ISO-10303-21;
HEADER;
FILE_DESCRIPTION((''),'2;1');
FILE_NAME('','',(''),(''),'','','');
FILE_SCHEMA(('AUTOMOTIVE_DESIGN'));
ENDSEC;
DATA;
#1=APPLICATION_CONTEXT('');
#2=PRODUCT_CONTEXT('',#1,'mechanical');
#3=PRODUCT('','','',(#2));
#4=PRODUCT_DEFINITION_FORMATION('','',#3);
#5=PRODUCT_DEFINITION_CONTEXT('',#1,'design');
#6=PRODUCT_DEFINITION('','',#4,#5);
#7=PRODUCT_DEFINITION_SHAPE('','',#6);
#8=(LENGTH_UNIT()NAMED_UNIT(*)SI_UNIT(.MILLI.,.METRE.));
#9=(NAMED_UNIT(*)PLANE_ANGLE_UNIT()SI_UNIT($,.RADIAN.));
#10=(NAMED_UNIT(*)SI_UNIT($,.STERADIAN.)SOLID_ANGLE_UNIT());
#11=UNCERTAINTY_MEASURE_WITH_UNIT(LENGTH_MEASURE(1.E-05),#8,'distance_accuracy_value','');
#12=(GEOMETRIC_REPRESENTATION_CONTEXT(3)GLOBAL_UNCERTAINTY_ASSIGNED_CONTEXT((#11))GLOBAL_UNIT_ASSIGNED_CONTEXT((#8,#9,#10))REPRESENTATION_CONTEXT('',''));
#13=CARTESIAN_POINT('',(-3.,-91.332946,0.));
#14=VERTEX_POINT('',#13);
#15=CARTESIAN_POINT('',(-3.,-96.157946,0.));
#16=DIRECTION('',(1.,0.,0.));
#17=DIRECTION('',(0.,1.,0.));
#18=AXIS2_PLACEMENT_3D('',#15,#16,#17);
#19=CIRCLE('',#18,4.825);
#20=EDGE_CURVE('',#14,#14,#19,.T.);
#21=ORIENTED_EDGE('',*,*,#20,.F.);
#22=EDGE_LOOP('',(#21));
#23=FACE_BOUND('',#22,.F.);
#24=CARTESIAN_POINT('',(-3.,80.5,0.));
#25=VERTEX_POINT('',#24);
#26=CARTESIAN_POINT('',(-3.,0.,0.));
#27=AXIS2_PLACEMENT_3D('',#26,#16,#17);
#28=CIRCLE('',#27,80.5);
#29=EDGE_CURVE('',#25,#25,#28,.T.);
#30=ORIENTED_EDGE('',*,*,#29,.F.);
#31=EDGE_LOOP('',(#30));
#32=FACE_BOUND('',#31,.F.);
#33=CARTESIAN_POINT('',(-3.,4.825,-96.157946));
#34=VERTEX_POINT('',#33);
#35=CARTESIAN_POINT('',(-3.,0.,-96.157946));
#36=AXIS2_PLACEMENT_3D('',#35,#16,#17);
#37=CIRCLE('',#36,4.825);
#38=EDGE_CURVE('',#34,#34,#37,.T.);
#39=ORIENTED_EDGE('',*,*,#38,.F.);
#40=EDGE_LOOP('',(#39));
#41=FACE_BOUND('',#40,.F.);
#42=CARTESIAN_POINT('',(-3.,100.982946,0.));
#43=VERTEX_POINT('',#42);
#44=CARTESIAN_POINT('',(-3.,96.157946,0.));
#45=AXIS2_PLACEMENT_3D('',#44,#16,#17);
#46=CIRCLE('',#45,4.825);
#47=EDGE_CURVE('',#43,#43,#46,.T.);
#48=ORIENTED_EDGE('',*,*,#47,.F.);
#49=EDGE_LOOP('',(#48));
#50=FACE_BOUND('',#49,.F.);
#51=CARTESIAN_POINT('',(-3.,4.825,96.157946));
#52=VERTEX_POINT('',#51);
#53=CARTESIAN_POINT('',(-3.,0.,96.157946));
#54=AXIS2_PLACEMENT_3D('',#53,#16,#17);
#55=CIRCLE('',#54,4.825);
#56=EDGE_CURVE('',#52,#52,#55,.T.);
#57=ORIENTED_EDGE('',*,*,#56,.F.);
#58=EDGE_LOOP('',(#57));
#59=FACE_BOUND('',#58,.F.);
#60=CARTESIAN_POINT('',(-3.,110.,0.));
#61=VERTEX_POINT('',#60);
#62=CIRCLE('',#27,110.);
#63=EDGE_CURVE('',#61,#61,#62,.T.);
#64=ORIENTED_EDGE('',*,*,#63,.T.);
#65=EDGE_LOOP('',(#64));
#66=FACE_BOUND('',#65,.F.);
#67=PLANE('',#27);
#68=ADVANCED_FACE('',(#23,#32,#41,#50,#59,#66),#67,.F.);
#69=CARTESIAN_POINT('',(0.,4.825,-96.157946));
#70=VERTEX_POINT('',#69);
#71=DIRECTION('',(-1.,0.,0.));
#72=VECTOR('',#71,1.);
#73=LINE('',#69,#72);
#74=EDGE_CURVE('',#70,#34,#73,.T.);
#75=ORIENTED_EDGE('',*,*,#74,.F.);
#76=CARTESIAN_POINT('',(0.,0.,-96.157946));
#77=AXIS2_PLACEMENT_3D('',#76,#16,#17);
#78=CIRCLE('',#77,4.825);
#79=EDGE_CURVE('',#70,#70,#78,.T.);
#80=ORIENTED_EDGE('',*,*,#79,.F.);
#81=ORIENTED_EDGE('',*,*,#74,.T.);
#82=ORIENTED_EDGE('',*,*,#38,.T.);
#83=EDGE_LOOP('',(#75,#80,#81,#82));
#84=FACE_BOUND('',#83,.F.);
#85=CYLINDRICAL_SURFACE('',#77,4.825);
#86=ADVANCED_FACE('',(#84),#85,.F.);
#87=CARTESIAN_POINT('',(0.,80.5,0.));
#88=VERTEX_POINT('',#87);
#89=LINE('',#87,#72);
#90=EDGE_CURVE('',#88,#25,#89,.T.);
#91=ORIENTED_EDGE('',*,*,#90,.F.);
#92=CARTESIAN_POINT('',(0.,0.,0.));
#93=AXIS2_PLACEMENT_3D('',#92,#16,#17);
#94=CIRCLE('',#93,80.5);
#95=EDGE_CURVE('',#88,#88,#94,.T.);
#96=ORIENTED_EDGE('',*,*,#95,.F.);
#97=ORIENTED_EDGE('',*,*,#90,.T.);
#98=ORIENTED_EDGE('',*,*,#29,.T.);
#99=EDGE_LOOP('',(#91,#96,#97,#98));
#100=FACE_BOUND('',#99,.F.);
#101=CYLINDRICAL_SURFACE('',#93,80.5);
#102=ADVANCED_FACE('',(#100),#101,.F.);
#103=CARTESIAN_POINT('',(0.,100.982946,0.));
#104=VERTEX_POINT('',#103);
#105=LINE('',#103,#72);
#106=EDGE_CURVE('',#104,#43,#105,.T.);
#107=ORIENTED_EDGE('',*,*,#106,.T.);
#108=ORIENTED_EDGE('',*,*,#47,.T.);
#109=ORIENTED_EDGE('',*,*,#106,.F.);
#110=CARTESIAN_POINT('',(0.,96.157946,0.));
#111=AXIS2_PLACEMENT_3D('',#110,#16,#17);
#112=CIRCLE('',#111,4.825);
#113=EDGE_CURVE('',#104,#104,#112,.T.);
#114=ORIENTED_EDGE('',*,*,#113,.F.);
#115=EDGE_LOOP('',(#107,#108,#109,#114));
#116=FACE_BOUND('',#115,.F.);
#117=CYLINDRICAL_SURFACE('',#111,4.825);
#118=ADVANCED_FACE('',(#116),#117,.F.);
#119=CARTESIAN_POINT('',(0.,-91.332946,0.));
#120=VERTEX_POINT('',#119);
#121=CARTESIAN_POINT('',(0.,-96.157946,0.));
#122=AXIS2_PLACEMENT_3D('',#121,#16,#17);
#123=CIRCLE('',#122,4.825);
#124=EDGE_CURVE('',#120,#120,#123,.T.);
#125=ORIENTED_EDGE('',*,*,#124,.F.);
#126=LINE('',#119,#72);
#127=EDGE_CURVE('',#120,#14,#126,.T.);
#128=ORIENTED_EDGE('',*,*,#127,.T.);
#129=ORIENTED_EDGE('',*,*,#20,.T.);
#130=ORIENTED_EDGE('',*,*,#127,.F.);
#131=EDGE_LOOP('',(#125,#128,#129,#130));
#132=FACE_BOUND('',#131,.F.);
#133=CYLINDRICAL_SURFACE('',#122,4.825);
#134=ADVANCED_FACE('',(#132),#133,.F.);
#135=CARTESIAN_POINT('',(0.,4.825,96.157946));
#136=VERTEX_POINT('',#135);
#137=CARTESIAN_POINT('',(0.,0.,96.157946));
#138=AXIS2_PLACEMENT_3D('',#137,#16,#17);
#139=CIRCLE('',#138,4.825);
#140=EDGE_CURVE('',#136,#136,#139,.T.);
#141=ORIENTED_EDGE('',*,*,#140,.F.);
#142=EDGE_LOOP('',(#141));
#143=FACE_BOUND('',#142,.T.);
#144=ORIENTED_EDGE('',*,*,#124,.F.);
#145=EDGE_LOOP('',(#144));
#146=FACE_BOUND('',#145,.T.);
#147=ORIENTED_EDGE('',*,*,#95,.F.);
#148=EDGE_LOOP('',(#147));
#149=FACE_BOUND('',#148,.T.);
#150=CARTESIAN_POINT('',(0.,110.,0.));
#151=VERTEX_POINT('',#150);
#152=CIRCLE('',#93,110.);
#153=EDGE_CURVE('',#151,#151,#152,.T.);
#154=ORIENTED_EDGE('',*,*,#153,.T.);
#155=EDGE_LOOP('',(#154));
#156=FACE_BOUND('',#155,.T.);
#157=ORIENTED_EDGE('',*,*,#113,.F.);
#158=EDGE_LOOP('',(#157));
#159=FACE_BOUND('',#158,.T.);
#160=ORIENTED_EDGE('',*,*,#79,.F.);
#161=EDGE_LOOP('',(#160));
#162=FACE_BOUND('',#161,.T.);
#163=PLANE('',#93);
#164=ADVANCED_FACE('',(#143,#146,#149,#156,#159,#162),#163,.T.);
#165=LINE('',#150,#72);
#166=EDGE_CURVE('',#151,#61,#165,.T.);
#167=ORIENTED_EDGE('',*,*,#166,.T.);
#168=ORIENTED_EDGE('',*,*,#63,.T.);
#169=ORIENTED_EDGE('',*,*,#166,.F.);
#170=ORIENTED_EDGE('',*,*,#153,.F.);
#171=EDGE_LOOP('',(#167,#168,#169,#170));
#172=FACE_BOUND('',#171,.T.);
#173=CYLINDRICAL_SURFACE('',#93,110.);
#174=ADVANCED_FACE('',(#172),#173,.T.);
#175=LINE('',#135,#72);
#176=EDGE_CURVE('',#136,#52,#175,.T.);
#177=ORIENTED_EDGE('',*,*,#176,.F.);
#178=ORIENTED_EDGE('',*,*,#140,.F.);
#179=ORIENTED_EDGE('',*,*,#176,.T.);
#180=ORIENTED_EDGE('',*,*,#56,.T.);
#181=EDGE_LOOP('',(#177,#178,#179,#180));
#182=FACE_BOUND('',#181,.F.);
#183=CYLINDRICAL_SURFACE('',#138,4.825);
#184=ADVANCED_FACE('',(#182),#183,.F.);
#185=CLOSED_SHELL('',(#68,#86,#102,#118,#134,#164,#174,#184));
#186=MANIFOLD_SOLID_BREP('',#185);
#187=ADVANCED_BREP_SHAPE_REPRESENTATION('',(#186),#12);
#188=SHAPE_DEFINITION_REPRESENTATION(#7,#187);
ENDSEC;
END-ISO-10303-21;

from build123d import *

# Parameters (mm, degrees)
F0_R     = 110
F0_R_2   = 80.5
F1_DEPTH = 3
F2_R     = 4.825
F3_DEPTH = 5


with BuildPart() as f1:
    # F0 (on Right) → F1 (new body)
    with BuildSketch(Plane.YZ):
        Circle(F0_R)
        Circle(F0_R_2, mode=Mode.SUBTRACT)
    extrude(amount=-F1_DEPTH)

    # F2 (on face) → F3 (cut)
    with BuildSketch(Plane.YZ):
        with Locations((0, 96.157946)):
            Circle(F2_R)
        with Locations((-96.157946, 0)):
            Circle(F2_R)
        with Locations((0, -96.157946)):
            Circle(F2_R)
        with Locations((96.157946, 0)):
            Circle(F2_R)
    extrude(amount=-F3_DEPTH, mode=Mode.SUBTRACT)


solid = f1.part
